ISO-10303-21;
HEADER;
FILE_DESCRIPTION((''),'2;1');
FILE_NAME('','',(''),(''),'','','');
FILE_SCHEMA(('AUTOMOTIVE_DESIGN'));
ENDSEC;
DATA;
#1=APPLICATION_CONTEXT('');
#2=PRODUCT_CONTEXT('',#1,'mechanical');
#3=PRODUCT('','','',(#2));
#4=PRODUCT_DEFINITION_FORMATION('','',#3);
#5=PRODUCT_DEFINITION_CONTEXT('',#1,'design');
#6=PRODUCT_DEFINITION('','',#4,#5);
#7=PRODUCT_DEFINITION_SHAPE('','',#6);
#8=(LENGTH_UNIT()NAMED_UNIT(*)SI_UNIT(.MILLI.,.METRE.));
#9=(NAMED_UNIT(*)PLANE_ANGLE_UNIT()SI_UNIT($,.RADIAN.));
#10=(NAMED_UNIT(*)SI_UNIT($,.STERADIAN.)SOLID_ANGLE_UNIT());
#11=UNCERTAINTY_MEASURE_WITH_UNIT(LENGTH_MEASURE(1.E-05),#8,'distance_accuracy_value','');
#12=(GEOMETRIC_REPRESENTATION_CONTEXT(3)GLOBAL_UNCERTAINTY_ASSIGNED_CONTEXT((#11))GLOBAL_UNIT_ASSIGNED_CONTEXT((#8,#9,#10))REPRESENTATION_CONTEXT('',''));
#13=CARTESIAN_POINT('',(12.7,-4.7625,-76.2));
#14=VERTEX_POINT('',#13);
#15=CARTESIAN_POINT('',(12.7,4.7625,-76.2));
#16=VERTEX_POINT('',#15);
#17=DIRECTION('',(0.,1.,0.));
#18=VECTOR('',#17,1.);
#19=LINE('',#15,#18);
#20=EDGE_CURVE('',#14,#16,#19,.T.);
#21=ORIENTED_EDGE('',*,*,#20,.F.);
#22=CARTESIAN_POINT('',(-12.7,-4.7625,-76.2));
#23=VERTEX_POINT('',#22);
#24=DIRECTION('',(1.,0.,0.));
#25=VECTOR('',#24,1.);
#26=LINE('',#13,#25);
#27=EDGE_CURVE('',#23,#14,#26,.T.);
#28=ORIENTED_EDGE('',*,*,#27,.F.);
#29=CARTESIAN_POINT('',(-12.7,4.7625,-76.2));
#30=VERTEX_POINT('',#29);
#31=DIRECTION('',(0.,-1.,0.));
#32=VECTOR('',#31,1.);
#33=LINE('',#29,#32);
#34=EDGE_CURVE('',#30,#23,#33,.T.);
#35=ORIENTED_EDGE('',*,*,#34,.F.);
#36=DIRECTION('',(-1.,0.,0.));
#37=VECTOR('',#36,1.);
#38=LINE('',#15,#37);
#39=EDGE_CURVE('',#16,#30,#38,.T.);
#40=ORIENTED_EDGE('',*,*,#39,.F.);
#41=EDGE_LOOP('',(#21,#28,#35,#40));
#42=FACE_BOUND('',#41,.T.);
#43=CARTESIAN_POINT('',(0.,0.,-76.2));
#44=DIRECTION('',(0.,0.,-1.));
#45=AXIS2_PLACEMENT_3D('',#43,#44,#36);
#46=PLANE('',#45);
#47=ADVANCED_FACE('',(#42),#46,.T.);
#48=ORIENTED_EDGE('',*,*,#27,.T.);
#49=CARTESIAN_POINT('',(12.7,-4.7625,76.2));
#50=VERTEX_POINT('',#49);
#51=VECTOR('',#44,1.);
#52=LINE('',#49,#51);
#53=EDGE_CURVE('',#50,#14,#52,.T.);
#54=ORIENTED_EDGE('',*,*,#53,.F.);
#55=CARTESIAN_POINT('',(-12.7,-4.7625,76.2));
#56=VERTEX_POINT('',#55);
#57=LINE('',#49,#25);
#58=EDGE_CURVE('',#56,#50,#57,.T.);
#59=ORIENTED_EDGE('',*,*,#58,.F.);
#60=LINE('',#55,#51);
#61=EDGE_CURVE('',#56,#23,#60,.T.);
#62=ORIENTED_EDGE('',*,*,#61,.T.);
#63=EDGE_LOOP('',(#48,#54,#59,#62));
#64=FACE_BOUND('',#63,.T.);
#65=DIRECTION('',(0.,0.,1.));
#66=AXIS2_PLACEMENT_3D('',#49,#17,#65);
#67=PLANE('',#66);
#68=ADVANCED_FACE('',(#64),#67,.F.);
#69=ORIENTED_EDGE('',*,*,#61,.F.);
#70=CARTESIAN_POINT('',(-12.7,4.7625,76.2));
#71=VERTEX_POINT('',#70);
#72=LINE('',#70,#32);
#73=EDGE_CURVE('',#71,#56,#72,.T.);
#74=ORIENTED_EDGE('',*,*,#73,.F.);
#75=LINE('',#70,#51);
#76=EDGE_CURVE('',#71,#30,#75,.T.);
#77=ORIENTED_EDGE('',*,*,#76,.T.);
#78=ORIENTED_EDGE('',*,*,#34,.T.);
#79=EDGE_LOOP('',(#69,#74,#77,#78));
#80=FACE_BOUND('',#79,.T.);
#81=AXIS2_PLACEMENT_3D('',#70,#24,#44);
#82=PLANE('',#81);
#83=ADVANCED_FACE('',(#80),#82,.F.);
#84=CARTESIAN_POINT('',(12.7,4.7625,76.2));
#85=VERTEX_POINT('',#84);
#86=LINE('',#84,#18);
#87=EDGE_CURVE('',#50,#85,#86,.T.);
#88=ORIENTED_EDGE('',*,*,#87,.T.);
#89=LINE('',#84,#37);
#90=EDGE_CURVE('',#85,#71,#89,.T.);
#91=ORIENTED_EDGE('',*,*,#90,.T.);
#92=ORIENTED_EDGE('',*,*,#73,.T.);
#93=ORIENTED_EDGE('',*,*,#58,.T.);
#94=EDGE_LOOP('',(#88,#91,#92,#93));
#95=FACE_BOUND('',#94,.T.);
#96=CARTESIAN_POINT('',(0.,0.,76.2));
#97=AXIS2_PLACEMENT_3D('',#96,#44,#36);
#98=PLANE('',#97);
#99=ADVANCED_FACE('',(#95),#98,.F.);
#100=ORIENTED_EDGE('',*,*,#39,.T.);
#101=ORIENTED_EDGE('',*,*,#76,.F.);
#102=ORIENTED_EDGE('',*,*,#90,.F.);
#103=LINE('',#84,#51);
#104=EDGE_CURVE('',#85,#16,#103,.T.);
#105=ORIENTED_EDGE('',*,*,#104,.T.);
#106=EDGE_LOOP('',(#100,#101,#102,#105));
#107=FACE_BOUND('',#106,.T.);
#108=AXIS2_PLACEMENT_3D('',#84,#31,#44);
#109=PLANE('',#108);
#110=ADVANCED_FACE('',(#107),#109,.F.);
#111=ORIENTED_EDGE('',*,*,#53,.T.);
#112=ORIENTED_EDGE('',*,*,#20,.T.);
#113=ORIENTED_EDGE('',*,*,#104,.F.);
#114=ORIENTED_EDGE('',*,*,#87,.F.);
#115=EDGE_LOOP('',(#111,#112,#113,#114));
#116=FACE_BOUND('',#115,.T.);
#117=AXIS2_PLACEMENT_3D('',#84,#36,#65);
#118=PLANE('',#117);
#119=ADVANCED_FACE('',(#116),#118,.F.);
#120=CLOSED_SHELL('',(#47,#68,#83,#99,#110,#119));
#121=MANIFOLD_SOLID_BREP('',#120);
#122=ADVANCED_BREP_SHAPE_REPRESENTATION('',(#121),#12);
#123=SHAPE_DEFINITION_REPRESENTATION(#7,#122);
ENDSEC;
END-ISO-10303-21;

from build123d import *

# Parameters (mm, degrees)
BOSS_EXTRUDE1_DEPTH      = 76.2
BOSS_EXTRUDE1_DEPTH_BACK = 76.2
SKETCH3_W                = 25.4
SKETCH3_H                = 9.525


with BuildPart() as part:
    # Sketch3 → Boss-Extrude1 (new, two sides: drawn at the far end of the back side and taken through both)
    with BuildSketch(Plane.XY.offset(-BOSS_EXTRUDE1_DEPTH_BACK)):
        Rectangle(SKETCH3_W, SKETCH3_H)
    extrude(amount=BOSS_EXTRUDE1_DEPTH + BOSS_EXTRUDE1_DEPTH_BACK)


solid = part.part
